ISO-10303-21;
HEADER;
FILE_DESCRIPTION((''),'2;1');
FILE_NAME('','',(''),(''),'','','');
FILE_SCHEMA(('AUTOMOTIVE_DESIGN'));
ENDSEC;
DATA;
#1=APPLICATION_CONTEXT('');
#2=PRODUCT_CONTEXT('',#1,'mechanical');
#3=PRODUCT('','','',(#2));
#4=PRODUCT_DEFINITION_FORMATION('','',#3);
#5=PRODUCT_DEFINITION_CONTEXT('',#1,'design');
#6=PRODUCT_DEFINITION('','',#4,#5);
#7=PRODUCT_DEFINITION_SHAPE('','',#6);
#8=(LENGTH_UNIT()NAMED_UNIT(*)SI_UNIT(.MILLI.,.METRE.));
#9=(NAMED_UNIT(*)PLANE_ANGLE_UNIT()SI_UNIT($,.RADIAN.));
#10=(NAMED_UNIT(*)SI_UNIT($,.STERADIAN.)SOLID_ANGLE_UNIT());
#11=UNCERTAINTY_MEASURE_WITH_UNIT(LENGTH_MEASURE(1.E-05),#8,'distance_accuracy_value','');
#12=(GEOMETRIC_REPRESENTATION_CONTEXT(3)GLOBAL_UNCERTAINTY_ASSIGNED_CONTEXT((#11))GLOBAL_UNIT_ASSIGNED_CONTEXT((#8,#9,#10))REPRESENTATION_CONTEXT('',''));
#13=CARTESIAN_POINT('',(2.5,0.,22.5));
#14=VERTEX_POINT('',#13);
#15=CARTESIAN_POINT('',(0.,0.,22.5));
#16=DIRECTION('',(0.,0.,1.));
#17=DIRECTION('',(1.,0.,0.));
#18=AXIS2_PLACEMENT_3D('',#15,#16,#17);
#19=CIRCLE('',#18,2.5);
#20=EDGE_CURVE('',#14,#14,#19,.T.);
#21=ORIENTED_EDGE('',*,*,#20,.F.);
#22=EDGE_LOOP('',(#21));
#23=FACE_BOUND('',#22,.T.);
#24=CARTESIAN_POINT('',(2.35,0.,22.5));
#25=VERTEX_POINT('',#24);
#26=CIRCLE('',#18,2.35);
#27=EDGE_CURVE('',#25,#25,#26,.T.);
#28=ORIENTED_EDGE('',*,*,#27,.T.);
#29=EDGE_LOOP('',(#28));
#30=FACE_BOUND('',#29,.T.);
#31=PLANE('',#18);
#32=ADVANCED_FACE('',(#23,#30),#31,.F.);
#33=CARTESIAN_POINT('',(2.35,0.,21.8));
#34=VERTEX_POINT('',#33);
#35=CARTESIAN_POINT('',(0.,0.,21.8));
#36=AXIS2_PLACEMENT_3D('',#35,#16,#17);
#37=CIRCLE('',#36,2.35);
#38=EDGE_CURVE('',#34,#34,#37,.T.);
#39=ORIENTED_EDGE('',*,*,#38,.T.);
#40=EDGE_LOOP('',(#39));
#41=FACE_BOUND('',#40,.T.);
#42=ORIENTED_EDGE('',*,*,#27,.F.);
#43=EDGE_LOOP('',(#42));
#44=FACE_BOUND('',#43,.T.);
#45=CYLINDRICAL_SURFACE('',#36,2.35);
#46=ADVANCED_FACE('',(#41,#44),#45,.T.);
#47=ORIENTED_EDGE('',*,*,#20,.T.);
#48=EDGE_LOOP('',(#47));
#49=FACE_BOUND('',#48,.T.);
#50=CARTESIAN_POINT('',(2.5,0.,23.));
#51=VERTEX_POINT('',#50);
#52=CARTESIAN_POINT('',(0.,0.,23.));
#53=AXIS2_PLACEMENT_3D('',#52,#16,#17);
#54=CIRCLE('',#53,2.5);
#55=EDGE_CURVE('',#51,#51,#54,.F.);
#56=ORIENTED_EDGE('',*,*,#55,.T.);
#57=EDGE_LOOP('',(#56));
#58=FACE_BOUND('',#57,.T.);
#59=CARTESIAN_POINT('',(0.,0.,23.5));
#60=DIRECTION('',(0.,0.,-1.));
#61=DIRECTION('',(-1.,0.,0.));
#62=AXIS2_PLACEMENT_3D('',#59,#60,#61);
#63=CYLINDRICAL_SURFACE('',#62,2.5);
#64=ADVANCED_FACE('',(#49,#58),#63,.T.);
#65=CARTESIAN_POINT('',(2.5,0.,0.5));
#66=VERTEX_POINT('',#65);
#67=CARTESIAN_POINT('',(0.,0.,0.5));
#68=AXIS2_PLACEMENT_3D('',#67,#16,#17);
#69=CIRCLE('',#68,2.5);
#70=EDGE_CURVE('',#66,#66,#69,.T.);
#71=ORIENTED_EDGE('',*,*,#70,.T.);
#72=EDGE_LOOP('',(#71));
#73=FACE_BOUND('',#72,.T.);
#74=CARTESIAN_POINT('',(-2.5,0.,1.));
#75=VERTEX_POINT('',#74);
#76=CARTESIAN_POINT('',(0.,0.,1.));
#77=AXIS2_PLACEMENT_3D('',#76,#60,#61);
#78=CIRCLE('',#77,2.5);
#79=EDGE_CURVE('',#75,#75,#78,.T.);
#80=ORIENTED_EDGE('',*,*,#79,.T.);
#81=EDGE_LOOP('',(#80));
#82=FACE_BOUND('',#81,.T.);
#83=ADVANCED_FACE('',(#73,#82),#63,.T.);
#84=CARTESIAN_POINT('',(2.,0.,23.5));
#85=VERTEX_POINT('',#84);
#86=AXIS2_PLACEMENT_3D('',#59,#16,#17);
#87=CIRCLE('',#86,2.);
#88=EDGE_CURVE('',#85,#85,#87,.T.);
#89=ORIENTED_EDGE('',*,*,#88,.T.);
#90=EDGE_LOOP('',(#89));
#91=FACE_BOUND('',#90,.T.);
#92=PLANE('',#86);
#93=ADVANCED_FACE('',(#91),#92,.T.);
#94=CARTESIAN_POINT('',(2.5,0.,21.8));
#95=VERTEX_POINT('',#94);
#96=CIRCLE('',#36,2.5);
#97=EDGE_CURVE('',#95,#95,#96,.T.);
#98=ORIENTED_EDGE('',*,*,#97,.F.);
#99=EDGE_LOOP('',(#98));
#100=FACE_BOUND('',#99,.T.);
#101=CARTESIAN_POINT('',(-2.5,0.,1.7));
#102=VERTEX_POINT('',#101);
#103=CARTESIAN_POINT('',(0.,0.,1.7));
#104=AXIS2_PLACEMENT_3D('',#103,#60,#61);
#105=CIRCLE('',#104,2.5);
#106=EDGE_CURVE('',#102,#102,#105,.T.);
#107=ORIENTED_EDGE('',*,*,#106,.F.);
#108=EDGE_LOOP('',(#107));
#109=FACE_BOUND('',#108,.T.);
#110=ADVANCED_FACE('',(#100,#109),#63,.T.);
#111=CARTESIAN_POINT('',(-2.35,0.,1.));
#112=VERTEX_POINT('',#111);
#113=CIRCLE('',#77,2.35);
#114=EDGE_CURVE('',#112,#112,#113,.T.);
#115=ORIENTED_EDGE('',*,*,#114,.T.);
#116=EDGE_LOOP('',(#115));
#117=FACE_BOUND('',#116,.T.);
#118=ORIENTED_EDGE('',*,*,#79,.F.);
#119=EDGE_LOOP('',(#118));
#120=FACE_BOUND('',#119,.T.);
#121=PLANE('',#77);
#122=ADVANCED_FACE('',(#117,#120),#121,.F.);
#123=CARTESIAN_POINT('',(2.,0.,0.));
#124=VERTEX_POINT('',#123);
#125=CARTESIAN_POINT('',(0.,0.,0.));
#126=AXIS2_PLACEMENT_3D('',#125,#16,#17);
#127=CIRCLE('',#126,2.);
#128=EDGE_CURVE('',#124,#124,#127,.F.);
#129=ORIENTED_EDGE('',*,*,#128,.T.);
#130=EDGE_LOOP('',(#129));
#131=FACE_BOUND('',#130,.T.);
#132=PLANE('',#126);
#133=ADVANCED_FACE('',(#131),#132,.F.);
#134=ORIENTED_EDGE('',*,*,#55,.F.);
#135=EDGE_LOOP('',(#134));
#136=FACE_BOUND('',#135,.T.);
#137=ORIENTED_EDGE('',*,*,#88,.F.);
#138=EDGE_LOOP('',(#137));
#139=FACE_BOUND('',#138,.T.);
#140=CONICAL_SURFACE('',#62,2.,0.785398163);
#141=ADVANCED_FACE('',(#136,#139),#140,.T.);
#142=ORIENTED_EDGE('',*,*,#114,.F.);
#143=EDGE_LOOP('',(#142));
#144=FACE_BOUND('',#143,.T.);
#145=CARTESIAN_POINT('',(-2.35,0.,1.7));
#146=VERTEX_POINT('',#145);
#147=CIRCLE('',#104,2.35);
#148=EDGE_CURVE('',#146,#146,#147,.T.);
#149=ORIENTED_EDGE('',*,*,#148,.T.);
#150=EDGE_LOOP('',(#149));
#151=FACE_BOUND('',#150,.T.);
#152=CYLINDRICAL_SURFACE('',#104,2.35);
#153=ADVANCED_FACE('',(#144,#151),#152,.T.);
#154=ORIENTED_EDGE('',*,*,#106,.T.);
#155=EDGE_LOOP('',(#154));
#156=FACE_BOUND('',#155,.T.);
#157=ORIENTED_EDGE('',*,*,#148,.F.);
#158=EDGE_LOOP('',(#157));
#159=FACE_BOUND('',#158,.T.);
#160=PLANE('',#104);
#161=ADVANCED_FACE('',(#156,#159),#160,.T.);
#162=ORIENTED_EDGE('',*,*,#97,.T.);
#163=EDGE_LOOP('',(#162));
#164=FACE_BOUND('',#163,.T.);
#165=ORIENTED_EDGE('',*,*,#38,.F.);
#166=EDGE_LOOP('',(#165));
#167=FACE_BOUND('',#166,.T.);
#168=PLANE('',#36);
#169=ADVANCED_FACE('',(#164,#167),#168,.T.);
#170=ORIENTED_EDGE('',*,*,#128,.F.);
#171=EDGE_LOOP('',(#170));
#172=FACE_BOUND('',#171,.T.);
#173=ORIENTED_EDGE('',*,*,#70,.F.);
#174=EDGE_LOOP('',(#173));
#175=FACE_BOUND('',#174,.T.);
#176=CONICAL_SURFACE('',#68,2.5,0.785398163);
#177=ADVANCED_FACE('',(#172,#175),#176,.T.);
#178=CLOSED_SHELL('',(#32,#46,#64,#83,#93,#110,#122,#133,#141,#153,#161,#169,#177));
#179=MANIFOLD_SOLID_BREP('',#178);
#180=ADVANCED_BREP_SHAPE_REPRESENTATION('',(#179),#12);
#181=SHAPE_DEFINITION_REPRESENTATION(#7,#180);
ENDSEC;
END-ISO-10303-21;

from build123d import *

# Parameters (mm, degrees)
SZKIC1_R                    = 2.5
DODANIE_WYCI_GNI_CIE1_DEPTH = 23.5
SFAZOWANIE1_SIZE            = 0.5
WYTNIJ_WYCI_GNI_CIE1_START  = -1.7
SZKIC2_R                    = 2.5
SZKIC2_R_2                  = 2.35
WYTNIJ_WYCI_GNI_CIE1_DEPTH  = 0.7
WYTNIJ_WYCI_GNI_CIE2_START  = -1
SZKIC3_R                    = 2.5
SZKIC3_R_2                  = 2.35
WYTNIJ_WYCI_GNI_CIE2_DEPTH  = 0.7


with BuildPart() as part:
    # Szkic1 → Dodanie-wyciągnięcie1 (new body)
    with BuildSketch(Plane.XY):
        Circle(SZKIC1_R)
    extrude(amount=DODANIE_WYCI_GNI_CIE1_DEPTH)

    # Sfazowanie1
    sfazowanie1_edges = [part.edges().sort_by_distance(p)[0] for p in [
        (-2.5, 0, 0),
        (-2.5, 0, 23.5),
    ]]
    chamfer(sfazowanie1_edges, length=SFAZOWANIE1_SIZE)

    # Szkic2 → Wytnij-wyciągnięcie1 (cut)
    with BuildSketch(Plane.XY.offset(23.5).offset(WYTNIJ_WYCI_GNI_CIE1_START)):
        Circle(SZKIC2_R)
        Circle(SZKIC2_R_2, mode=Mode.SUBTRACT)
    extrude(amount=WYTNIJ_WYCI_GNI_CIE1_DEPTH, mode=Mode.SUBTRACT)

    # Szkic3 → Wytnij-wyciągnięcie2 (cut)
    with BuildSketch(Plane(origin=(0, 0, 0), x_dir=(-1, 0, 0), z_dir=(0, 0, -1)).offset(WYTNIJ_WYCI_GNI_CIE2_START)):
        Circle(SZKIC3_R)
        with Locations(Location((0, 0, 0), (0, 0, 180))):
            Circle(SZKIC3_R_2, mode=Mode.SUBTRACT)
    extrude(amount=-WYTNIJ_WYCI_GNI_CIE2_DEPTH, mode=Mode.SUBTRACT)


solid = part.part
